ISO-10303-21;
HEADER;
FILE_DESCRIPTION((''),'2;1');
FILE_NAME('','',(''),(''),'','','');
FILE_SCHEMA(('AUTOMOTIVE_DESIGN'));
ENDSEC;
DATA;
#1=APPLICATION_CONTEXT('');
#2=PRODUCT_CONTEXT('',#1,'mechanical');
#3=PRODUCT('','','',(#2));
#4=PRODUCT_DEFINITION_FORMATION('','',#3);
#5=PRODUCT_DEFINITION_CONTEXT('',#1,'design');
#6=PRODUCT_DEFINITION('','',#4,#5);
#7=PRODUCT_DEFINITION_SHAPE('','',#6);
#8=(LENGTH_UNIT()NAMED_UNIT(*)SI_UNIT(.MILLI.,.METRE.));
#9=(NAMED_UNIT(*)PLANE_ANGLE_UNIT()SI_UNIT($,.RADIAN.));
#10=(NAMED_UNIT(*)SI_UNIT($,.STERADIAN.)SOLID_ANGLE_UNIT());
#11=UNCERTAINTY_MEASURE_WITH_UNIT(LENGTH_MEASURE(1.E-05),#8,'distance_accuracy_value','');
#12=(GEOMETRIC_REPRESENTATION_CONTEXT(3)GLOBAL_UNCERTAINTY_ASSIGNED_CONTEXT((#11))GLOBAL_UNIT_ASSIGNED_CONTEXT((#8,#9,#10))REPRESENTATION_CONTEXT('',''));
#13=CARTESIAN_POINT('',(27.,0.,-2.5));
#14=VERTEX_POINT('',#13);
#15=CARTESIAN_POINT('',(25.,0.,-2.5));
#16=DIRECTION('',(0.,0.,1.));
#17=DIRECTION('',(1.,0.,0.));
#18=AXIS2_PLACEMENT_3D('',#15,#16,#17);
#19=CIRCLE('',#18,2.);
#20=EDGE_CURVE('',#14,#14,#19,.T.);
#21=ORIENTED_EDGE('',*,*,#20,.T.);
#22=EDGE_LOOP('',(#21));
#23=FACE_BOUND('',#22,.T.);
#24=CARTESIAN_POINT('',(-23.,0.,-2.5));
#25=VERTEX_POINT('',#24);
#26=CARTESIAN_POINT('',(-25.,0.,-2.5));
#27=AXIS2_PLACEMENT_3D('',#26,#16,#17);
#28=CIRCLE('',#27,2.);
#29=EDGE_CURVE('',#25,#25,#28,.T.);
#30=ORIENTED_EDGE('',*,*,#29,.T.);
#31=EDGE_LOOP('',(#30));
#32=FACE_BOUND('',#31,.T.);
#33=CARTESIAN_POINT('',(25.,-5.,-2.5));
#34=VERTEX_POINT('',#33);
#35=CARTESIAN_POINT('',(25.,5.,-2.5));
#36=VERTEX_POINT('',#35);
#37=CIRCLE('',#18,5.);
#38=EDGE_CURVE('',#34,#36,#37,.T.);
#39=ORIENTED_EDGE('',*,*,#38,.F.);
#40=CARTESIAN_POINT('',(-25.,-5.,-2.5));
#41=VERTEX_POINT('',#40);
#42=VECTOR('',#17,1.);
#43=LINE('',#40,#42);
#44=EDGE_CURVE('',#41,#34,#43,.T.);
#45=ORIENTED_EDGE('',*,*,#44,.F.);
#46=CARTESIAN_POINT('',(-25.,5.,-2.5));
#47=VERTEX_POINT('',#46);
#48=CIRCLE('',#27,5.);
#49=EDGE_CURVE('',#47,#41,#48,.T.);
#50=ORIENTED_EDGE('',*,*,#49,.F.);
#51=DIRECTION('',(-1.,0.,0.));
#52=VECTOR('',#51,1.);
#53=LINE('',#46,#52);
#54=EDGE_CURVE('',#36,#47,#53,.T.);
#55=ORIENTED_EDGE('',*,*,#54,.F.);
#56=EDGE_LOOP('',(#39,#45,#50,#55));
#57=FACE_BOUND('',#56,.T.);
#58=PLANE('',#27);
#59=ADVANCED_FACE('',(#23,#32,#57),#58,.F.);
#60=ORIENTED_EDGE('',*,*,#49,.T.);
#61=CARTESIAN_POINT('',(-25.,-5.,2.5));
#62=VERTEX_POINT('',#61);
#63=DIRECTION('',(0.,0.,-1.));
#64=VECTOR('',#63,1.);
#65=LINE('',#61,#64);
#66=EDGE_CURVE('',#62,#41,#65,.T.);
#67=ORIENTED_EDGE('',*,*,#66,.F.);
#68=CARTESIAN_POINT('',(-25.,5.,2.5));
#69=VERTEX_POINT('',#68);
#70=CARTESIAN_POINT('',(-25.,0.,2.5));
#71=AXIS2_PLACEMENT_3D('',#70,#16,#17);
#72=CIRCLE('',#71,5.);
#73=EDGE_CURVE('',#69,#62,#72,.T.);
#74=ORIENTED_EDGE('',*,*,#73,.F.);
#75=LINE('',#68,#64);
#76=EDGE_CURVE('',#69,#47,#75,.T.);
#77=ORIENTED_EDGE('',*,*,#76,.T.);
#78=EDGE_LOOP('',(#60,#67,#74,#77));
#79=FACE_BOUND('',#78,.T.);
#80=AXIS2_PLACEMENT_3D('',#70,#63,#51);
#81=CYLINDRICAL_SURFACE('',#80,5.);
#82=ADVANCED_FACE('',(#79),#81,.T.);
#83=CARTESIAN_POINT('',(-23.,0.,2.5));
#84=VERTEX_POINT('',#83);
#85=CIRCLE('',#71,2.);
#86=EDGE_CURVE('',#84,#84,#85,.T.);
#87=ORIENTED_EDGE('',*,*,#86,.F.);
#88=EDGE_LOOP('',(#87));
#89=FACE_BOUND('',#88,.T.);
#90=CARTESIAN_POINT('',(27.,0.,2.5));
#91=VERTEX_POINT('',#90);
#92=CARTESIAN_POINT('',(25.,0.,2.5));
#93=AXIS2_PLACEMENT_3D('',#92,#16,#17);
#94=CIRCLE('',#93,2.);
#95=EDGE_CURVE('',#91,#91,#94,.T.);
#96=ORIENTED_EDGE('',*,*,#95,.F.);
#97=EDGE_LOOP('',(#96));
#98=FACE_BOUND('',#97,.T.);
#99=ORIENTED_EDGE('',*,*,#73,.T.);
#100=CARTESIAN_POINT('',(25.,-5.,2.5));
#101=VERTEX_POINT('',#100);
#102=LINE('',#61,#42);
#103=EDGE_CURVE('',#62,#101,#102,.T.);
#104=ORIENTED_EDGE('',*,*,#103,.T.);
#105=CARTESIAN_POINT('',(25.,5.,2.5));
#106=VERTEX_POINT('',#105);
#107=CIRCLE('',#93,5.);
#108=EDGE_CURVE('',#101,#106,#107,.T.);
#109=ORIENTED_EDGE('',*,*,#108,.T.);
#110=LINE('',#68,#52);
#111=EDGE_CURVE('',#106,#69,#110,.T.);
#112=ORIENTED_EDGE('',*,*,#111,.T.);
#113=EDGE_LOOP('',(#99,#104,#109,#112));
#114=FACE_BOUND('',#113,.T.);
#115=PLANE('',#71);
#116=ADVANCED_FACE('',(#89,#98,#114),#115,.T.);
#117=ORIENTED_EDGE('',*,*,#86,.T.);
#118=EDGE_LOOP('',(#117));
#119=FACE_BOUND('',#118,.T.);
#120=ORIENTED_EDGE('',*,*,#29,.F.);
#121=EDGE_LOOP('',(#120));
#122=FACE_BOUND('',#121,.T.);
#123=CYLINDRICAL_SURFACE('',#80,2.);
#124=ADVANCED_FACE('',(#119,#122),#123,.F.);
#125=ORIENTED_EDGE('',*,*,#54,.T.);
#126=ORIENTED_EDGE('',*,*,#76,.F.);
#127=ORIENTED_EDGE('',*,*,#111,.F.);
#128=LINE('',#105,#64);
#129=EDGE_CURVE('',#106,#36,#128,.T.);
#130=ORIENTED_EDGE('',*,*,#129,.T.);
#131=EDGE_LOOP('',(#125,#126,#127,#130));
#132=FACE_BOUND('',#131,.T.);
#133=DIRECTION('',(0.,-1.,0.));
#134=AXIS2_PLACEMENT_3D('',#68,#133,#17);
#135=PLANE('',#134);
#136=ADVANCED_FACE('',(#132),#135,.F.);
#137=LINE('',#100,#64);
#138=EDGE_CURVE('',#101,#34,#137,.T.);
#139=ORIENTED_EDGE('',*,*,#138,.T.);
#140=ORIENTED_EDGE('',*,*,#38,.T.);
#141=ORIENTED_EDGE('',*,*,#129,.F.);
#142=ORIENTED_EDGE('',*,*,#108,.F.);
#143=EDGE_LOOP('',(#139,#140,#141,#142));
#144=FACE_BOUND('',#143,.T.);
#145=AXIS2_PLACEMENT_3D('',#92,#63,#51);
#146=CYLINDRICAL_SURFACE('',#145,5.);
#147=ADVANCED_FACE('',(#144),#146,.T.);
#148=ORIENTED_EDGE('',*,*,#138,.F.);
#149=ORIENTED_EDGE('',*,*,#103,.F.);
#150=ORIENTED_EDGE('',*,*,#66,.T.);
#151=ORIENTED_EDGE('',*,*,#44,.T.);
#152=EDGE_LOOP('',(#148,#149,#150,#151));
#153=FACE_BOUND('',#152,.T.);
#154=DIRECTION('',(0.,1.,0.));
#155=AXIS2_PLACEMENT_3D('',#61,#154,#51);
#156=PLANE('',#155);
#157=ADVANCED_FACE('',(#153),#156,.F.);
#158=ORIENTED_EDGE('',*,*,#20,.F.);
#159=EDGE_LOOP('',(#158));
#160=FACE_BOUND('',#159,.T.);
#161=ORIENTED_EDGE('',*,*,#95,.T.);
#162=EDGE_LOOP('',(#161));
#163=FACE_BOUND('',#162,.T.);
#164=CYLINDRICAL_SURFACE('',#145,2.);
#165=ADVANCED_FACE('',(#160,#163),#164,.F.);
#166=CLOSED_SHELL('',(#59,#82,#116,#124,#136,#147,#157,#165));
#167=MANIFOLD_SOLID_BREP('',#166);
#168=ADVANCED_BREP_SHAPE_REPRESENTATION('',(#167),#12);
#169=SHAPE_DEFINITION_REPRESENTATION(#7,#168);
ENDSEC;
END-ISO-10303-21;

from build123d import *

# Parameters (mm, degrees)
SKETCH_2_R      = 2
EXTRUDE_1_DEPTH = 2.5


with BuildPart() as part:
    # 草圖2 → 填料-伸長1 (new, symmetric)
    with BuildSketch(Plane.XY):
        with BuildLine():
            Line((-25, 5), (25, 5))
            ThreePointArc((25, 5), (30, 0), (25, -5))
            Line((25, -5), (-25, -5))
            ThreePointArc((-25, -5), (-30, 0), (-25, 5))
        make_face()
        with Locations((25, 0)):
            Circle(SKETCH_2_R, mode=Mode.SUBTRACT)
        with Locations((-25, 0)):
            Circle(SKETCH_2_R, mode=Mode.SUBTRACT)
    extrude(amount=EXTRUDE_1_DEPTH, both=True)


solid = part.part
